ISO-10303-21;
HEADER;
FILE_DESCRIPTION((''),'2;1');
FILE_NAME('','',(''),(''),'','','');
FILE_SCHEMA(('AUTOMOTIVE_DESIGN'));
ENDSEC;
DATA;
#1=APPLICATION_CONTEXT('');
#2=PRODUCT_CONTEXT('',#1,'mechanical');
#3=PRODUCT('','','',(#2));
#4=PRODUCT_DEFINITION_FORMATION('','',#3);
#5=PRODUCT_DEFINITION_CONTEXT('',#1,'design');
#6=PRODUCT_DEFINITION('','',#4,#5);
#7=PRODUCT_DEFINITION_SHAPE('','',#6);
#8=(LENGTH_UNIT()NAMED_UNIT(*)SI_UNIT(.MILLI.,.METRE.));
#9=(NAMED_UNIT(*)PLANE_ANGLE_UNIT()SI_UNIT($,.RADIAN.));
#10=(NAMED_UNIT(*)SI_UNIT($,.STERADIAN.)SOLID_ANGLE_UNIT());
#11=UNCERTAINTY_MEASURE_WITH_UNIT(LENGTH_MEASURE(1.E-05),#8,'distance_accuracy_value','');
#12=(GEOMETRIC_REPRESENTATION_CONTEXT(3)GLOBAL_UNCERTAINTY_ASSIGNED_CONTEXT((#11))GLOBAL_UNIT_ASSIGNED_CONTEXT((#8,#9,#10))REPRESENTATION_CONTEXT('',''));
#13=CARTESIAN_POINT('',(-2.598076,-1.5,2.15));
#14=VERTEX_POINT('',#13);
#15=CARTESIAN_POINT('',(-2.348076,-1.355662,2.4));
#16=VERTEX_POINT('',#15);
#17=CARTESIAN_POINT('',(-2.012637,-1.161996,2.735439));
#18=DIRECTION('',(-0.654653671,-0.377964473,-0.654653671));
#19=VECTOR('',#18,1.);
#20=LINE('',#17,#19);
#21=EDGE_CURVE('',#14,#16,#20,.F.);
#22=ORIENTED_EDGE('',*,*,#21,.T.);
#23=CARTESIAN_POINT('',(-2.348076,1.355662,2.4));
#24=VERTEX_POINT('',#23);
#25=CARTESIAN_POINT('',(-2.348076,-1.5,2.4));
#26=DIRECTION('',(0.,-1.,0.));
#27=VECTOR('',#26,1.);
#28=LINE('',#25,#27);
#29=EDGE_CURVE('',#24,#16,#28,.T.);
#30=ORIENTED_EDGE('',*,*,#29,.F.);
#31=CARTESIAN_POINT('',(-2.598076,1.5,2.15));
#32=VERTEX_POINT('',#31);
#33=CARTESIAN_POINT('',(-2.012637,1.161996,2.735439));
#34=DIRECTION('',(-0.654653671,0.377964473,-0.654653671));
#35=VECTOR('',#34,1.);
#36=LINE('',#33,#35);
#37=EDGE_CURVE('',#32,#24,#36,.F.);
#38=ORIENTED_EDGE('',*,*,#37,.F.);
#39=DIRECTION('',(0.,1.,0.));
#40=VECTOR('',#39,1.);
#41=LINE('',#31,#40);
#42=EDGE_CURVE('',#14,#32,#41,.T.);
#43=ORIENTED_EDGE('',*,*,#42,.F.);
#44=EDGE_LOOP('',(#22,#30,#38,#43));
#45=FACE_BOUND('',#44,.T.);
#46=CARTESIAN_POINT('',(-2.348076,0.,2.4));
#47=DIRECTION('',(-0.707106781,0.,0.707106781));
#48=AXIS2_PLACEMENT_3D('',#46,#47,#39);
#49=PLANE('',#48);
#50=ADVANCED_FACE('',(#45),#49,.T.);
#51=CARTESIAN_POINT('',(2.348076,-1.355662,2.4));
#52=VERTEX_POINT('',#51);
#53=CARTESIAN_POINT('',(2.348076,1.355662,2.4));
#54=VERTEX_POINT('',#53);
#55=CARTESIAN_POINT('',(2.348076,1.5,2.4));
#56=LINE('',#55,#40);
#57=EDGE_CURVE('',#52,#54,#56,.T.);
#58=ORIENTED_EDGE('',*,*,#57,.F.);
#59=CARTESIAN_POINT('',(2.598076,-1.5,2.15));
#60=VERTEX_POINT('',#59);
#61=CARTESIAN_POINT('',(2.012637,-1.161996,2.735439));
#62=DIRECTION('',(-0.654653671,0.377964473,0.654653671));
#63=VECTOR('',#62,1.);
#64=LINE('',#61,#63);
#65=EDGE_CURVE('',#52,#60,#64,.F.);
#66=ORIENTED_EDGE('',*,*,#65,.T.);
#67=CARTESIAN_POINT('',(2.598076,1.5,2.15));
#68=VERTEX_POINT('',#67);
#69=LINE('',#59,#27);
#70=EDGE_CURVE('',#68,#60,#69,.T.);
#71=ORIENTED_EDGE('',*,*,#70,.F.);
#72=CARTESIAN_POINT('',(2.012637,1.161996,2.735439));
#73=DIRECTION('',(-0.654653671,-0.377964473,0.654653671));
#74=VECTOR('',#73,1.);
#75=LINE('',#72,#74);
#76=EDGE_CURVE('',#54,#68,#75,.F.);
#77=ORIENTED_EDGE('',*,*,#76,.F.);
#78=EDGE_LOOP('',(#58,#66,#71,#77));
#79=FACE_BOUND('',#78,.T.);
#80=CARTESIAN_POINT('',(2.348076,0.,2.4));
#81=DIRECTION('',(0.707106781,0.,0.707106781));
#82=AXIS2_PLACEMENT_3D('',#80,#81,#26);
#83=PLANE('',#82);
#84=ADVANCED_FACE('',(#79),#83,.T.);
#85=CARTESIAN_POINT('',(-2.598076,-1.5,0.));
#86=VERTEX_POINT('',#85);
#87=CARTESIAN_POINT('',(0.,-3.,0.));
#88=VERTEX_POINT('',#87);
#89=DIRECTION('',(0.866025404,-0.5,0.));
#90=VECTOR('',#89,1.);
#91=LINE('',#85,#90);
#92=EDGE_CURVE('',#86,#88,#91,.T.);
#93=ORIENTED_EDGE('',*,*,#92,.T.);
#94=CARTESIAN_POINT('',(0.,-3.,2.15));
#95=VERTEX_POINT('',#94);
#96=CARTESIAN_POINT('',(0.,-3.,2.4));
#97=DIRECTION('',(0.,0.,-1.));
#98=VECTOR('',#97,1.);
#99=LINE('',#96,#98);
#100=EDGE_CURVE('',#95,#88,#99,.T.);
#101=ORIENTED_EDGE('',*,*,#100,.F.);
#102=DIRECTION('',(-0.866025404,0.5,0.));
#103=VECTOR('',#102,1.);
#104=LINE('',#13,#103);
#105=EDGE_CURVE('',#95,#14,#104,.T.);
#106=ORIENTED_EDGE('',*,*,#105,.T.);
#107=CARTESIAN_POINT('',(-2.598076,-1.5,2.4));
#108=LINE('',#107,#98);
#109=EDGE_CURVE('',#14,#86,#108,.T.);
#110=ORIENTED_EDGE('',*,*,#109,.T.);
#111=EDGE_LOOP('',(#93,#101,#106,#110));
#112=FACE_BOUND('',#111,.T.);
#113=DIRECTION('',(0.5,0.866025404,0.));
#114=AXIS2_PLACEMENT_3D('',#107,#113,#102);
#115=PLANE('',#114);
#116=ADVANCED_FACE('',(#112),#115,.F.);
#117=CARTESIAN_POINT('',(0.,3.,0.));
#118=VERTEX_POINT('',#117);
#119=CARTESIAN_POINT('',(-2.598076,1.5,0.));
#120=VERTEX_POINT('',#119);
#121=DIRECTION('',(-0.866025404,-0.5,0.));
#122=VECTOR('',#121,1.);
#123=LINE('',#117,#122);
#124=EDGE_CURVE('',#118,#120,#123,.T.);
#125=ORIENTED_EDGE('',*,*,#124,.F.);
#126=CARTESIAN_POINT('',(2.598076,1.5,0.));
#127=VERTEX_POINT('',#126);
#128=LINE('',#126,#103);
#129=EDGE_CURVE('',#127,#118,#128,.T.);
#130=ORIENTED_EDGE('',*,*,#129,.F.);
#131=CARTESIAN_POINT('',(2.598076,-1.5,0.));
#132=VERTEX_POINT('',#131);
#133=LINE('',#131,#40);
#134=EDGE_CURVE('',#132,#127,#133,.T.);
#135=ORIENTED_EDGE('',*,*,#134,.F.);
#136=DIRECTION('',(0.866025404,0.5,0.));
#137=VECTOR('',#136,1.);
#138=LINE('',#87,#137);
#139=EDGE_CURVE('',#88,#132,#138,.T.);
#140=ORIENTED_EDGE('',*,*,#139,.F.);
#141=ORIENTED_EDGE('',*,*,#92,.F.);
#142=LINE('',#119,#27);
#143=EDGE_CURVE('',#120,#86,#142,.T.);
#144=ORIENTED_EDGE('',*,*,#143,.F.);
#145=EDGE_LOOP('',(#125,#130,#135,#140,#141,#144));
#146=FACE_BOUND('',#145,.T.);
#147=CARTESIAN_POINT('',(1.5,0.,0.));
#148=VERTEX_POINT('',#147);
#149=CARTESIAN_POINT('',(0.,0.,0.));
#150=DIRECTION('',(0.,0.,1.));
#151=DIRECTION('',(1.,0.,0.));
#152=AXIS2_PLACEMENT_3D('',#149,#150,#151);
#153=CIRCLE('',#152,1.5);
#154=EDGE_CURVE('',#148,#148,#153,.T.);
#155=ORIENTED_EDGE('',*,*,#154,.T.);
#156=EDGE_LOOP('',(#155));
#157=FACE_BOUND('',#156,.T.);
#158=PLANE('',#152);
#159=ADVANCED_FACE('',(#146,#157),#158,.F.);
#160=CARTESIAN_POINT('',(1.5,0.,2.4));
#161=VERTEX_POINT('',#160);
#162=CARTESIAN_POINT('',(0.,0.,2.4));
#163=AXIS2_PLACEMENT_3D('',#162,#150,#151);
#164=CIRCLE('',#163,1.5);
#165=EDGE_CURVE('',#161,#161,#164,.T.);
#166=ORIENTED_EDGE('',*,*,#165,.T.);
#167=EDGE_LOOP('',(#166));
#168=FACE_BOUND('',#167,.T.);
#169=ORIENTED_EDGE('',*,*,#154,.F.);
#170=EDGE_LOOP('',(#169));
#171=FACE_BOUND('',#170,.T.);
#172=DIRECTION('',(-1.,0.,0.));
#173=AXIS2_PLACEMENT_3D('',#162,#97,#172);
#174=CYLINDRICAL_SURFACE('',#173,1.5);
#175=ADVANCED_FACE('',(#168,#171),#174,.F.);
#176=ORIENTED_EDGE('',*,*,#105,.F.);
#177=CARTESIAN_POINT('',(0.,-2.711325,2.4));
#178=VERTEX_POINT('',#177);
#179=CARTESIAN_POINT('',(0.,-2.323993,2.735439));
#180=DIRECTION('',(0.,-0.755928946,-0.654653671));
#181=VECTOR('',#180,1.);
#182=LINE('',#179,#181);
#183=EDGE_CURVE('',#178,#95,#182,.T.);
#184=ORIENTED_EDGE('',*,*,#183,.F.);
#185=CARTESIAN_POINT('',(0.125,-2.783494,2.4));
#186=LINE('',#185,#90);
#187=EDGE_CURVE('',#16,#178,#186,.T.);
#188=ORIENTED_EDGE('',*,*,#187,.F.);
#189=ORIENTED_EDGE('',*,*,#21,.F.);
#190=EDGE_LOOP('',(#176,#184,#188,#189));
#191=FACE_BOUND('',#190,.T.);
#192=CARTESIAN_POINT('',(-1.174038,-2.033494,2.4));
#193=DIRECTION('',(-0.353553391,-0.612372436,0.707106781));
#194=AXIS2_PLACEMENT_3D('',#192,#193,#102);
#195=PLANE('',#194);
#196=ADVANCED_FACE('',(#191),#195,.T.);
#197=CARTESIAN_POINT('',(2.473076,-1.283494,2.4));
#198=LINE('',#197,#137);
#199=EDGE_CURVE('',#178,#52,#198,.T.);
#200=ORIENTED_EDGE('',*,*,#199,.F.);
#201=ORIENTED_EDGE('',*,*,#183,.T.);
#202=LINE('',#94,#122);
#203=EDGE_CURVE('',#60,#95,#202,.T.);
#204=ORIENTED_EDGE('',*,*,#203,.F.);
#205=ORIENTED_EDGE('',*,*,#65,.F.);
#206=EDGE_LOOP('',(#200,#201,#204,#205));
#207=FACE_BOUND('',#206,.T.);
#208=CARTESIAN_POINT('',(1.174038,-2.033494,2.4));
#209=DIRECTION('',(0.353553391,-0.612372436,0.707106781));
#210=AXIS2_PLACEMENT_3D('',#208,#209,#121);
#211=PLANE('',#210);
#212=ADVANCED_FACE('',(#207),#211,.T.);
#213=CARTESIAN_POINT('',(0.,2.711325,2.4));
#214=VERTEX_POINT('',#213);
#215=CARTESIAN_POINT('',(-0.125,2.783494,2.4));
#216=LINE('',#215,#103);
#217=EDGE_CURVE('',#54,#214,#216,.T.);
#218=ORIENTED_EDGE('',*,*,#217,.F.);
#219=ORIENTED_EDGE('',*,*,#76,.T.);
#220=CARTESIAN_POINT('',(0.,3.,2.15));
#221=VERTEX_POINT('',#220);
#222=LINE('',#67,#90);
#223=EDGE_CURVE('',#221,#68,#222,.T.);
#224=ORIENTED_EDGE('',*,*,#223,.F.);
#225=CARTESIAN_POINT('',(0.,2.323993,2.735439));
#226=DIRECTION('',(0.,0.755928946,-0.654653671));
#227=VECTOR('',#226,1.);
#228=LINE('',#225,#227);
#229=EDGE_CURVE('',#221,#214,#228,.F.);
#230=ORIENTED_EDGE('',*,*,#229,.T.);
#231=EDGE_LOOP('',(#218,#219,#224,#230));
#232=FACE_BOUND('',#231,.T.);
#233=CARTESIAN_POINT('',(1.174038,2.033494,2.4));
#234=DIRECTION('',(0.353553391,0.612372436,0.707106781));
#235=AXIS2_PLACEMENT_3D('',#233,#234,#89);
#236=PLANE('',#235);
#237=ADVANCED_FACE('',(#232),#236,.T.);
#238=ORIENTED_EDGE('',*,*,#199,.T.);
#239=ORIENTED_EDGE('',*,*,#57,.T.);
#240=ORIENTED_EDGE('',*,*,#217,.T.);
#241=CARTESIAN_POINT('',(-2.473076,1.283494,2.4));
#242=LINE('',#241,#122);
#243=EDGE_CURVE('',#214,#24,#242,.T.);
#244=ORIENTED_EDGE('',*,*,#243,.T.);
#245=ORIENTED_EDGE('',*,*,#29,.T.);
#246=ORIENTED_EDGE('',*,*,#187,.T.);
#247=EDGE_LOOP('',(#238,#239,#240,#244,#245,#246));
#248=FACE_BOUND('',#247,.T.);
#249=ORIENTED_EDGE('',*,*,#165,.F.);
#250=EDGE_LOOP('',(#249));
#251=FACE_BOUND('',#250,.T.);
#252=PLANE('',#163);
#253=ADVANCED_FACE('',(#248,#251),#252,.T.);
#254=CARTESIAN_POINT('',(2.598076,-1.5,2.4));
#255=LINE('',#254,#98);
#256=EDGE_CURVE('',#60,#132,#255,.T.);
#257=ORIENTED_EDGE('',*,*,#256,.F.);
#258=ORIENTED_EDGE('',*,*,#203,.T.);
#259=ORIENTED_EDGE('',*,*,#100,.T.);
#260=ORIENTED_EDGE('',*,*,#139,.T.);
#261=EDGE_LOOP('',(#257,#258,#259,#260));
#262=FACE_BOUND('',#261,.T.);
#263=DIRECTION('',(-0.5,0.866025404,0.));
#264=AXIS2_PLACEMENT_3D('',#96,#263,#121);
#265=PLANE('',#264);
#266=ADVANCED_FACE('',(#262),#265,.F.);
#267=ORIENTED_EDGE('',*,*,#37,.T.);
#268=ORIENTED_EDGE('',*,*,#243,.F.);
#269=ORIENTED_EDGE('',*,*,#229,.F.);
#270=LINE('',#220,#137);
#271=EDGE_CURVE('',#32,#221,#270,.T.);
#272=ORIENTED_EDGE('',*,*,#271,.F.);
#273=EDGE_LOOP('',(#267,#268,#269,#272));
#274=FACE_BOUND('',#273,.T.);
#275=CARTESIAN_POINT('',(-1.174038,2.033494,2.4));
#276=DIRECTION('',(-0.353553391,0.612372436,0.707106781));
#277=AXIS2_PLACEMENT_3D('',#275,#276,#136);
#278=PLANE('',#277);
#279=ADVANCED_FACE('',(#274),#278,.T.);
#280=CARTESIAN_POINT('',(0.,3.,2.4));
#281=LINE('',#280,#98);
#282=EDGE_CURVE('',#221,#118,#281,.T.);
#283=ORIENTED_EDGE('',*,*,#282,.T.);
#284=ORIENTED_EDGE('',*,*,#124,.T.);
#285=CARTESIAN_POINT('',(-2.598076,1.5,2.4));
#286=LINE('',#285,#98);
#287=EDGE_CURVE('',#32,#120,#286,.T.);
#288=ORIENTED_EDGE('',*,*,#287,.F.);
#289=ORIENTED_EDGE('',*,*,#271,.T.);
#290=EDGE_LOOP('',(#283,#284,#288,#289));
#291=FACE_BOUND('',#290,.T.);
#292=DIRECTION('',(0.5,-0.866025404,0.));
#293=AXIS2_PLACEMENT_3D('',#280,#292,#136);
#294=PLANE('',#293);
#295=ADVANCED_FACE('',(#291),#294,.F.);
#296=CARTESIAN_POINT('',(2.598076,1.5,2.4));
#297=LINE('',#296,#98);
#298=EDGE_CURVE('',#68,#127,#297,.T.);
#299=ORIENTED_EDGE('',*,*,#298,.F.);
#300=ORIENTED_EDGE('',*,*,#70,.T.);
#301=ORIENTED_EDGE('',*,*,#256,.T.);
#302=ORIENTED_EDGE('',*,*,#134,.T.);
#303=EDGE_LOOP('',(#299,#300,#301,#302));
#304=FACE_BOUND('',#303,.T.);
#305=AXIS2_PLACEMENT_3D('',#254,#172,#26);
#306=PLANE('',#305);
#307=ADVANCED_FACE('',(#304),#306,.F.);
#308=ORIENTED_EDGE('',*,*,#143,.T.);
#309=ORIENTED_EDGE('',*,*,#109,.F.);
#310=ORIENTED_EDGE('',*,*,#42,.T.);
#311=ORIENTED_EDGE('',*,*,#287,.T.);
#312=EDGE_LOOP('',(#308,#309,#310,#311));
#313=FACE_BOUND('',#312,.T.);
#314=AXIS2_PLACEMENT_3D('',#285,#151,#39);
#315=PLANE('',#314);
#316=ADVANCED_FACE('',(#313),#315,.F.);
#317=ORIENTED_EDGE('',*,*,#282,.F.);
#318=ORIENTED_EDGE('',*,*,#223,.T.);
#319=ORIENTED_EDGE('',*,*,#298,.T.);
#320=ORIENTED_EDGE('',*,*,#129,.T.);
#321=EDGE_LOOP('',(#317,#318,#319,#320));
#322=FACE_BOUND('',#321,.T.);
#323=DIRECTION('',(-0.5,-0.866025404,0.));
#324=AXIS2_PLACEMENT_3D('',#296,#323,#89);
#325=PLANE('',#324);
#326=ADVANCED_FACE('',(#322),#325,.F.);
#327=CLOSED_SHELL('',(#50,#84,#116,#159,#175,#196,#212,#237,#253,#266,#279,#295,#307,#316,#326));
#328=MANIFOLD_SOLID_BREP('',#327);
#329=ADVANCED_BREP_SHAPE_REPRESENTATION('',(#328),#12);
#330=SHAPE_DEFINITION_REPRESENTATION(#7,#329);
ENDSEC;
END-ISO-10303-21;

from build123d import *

# Parameters (mm, degrees)
ESQUISSE1_R        = 1.5
BOSS_EXTRU_1_DEPTH = 2.4
CHANFREIN1_SIZE    = 0.25


with BuildPart() as part:
    # Esquisse1 → Boss.-Extru.1 (new body)
    with BuildSketch(Plane.XY):
        Polygon((0, -3), (2.598076211, -1.5), (2.598076211, 1.5), (0, 3), (-2.598076211, 1.5), (-2.598076211, -1.5), align=None)
        Circle(ESQUISSE1_R, mode=Mode.SUBTRACT)
    extrude(amount=BOSS_EXTRU_1_DEPTH)

    # Chanfrein1
    chanfrein1_edges = [part.edges().sort_by_distance(p)[0] for p in [
        (2.598076211, 0, 2.4),
        (1.299038106, 2.25, 2.4),
        (-1.299038106, 2.25, 2.4),
        (-2.598076211, 0, 2.4),
        (-1.299038106, -2.25, 2.4),
        (1.299038106, -2.25, 2.4),
    ]]
    chamfer(chanfrein1_edges, length=CHANFREIN1_SIZE)


solid = part.part
